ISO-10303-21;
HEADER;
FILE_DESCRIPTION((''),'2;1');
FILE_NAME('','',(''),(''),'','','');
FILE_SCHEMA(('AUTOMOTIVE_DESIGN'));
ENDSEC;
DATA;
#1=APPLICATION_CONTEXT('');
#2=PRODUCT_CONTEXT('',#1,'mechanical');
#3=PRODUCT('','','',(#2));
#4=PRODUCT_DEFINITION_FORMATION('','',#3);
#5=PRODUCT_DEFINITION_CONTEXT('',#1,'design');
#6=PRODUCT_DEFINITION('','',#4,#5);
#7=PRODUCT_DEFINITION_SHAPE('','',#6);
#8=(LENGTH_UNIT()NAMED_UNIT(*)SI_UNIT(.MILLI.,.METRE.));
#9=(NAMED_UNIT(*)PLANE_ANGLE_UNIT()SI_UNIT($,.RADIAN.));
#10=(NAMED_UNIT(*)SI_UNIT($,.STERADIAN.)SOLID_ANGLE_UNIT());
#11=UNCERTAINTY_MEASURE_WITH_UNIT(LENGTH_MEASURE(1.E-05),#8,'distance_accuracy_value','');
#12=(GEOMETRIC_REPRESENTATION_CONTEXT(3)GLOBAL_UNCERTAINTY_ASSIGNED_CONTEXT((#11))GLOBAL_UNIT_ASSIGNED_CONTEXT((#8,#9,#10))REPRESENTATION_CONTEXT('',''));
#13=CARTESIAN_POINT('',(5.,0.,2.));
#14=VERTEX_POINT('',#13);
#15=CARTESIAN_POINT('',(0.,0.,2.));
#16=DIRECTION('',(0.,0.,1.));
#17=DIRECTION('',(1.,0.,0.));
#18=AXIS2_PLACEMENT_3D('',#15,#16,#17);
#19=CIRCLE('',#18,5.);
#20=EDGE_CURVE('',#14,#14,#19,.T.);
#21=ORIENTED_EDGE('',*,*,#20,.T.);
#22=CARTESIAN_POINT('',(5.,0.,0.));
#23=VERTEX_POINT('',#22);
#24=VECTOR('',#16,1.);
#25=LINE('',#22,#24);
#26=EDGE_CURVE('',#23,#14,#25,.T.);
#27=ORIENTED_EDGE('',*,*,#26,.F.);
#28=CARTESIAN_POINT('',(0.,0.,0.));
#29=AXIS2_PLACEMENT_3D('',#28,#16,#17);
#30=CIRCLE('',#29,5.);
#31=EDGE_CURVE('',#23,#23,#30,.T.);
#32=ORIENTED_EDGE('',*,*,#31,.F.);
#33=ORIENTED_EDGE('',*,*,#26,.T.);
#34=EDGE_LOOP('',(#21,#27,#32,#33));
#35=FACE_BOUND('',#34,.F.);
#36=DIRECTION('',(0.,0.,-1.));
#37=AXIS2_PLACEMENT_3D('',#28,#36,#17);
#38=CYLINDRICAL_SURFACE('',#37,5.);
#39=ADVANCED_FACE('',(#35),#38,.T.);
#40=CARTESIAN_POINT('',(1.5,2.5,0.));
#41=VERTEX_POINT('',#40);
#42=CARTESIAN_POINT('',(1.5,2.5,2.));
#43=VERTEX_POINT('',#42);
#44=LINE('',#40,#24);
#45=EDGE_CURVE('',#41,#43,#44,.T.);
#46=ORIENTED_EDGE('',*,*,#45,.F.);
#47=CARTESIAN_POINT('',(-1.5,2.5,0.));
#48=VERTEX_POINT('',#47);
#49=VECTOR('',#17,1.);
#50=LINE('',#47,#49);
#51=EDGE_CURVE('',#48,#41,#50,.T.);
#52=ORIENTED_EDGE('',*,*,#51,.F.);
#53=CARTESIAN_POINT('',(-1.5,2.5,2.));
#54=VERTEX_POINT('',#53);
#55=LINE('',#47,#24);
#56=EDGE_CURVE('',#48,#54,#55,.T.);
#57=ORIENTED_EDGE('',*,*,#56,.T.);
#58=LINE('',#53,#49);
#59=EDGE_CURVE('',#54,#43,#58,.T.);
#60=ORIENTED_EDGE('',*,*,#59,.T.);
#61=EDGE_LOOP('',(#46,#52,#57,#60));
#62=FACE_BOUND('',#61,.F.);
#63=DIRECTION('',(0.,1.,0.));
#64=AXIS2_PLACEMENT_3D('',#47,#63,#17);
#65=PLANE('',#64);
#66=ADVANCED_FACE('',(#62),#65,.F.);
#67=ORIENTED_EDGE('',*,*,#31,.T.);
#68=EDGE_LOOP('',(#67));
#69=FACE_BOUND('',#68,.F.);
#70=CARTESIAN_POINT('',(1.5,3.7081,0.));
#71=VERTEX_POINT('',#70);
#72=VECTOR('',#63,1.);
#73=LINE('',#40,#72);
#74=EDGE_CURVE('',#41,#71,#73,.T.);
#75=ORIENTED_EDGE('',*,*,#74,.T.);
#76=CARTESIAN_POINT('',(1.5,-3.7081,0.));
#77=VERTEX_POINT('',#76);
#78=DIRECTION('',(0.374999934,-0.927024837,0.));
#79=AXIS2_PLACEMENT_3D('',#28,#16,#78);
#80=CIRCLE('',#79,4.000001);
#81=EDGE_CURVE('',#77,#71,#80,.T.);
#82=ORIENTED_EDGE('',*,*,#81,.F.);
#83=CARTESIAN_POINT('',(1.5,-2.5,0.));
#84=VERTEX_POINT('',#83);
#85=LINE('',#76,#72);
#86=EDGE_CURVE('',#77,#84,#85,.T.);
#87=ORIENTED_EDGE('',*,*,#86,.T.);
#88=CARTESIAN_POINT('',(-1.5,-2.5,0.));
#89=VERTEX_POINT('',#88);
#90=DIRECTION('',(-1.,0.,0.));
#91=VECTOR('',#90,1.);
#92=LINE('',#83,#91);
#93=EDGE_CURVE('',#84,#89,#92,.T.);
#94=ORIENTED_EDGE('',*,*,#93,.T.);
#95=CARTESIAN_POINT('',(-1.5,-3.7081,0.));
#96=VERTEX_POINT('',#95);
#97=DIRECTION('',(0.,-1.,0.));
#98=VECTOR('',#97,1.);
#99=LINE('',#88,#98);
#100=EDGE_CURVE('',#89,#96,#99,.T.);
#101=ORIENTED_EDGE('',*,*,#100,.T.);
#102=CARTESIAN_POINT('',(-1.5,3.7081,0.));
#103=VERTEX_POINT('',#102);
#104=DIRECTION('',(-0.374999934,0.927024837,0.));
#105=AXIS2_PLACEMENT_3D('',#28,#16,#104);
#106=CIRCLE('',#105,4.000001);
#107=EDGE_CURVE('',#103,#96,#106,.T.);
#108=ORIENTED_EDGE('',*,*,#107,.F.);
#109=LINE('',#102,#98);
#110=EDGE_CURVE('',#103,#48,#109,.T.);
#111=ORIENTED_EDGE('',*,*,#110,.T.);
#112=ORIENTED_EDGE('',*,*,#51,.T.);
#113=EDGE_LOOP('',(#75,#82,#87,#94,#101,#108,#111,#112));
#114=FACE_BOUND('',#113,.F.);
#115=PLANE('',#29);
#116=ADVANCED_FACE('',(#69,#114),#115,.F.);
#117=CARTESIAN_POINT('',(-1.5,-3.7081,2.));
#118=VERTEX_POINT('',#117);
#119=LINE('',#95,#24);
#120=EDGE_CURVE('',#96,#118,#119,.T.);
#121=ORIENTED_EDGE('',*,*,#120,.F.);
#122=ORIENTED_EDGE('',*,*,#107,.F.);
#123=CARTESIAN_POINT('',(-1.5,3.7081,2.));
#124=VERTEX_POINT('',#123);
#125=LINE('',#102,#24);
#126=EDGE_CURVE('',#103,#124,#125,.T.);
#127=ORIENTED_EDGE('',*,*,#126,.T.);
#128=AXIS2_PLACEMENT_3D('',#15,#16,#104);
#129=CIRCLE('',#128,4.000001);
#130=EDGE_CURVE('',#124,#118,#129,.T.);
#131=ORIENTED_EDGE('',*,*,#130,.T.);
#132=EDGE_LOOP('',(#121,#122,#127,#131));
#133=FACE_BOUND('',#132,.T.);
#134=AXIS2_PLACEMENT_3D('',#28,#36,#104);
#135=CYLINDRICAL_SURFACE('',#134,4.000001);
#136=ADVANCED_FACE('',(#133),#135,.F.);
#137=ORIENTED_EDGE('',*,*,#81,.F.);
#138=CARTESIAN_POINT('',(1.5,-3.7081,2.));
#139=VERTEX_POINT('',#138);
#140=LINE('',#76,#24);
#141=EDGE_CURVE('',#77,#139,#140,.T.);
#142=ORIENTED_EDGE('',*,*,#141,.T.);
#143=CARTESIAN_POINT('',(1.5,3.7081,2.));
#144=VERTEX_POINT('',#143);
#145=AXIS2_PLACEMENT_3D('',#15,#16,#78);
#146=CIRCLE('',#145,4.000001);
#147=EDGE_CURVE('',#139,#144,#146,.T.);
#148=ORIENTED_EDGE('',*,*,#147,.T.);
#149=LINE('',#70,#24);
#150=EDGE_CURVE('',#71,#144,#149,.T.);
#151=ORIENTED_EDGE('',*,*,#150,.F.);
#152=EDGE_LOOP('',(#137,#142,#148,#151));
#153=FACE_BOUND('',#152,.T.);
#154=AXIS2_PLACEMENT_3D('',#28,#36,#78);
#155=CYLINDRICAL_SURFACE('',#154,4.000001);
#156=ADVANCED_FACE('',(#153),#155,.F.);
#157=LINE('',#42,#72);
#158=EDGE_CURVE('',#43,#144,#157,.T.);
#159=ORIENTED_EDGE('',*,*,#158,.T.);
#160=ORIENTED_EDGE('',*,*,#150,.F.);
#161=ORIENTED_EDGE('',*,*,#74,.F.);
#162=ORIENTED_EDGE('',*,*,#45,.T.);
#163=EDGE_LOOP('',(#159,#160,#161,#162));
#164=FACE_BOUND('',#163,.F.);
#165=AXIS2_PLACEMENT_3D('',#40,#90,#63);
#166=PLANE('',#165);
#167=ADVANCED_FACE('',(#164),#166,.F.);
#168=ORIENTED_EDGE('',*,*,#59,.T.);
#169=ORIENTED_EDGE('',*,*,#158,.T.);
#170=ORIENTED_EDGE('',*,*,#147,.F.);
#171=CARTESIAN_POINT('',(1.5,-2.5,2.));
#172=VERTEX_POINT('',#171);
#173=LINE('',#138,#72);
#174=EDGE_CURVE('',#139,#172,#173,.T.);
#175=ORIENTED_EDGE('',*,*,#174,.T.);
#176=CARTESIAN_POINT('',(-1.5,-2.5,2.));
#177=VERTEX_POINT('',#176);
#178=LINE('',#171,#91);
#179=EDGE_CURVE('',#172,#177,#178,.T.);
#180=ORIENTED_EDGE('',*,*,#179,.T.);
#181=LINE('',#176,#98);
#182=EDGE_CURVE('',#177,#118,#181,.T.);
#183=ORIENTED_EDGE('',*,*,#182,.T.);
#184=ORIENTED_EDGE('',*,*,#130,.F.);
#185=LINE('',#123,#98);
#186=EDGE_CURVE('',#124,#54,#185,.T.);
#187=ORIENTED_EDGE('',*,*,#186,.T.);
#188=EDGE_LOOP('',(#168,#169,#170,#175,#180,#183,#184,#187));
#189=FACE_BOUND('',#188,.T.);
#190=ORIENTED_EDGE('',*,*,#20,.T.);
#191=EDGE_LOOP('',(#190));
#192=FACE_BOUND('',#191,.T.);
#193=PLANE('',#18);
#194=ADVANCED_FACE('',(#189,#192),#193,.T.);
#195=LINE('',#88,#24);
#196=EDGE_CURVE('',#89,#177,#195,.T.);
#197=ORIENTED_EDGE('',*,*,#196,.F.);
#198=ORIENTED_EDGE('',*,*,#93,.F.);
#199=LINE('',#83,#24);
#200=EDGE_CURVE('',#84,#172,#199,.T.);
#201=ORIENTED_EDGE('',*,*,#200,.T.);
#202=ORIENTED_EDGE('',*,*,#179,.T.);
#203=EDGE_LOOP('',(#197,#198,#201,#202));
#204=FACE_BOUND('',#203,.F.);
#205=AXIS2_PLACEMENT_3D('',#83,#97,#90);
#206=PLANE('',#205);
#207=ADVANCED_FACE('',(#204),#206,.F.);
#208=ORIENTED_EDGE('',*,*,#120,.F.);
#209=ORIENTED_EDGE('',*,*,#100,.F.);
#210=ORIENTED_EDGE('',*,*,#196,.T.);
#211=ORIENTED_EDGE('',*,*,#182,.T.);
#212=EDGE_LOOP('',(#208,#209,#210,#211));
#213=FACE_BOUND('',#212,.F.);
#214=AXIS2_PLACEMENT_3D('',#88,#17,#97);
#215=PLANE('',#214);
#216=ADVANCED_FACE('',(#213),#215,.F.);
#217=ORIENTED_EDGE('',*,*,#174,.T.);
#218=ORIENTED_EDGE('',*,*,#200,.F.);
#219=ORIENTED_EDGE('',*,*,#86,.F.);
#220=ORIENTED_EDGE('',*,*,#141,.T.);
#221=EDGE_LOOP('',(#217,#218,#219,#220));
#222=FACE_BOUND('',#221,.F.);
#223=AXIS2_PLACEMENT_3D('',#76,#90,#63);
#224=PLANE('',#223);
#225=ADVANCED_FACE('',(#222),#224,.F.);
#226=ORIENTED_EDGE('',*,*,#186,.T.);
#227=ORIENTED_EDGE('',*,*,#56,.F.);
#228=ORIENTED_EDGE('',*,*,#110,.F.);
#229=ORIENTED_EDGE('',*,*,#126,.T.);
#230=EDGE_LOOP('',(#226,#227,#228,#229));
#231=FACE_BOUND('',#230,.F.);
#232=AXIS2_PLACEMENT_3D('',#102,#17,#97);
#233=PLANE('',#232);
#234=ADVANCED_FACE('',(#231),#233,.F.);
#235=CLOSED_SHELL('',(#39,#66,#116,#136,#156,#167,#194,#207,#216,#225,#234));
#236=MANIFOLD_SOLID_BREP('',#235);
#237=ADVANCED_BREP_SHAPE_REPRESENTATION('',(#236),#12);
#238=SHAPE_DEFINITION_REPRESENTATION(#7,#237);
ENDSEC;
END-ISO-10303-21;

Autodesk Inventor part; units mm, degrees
ref_plane "YZ Plane" through (0, 0, 0) normal (1, 0, 0) x (0, 1, 0)
ref_plane "XZ Plane" through (0, 0, 0) normal (0, 1, 0) x (-1, 0, 0)
ref_plane "XY Plane" through (0, 0, 0) normal (0, 0, 1) x (1, 0, 0)
sketch "Sketch1" plane through (0, 0, 0) normal (0, 0, 1) x (1, 0, 0)
  arc A0 (1.5, -3.7081) -> (1.5, 3.7081) centre (0, 0) ccw
  line L0 (1.5, -3.7081) -> (1.5, -2.5)
  line L1 (1.5, -2.5) -> (-1.5, -2.5)
  line L2 (-1.5, -2.5) -> (-1.5, -3.7081)
  arc A1 (-1.5, 3.7081) -> (-1.5, -3.7081) centre (0, 0) ccw
  line L3 (-1.5, 3.7081) -> (-1.5, 2.5)
  line L4 (-1.5, 2.5) -> (1.5, 2.5)
  line L5 (1.5, 2.5) -> (1.5, 3.7081)
  arc A2 (0.5468, 8.0166) -> (-0.5468, 8.0166) centre (0, 0) ccw
  arc A3 (-0.5468, 8.0166) -> (-2.7612, 7.5459) centre (0, 0) ccw
  arc A4 (-2.7612, 7.5459) -> (-3.7602, 7.1012) centre (0, 0) ccw
  arc A5 (-3.7602, 7.1012) -> (-5.5916, 5.7705) centre (0, 0) ccw
  arc A6 (-5.5916, 5.7705) -> (-6.3234, 4.9578) centre (0, 0) ccw
  arc A7 (-6.3234, 4.9578) -> (-7.4553, 2.9973) centre (0, 0) ccw
  arc A8 (-7.4553, 2.9973) -> (-7.7932, 1.9573) centre (0, 0) ccw
  arc A9 (-7.7932, 1.9573) -> (-8.0299, -0.2942) centre (0, 0) ccw
  arc A10 (-8.0299, -0.2942) -> (-7.9156, -1.3817) centre (0, 0) ccw
  arc A11 (-7.9156, -1.3817) -> (-7.216, -3.5348) centre (0, 0) ccw
  arc A12 (-7.216, -3.5348) -> (-6.6692, -4.4818) centre (0, 0) ccw
  arc A13 (-6.6692, -4.4818) -> (-5.1544, -6.1642) centre (0, 0) ccw
  arc A14 (-5.1544, -6.1642) -> (-4.2697, -6.807) centre (0, 0) ccw
  arc A15 (-4.2697, -6.807) -> (-2.2016, -7.7278) centre (0, 0) ccw
  arc A16 (-2.2016, -7.7278) -> (-1.1319, -7.9551) centre (0, 0) ccw
  arc A17 (-1.1319, -7.9551) -> (1.1319, -7.9551) centre (0, 0) ccw
  arc A18 (1.1319, -7.9551) -> (2.2016, -7.7278) centre (0, 0) ccw
  arc A19 (2.2016, -7.7278) -> (4.2697, -6.807) centre (0, 0) ccw
  arc A20 (4.2697, -6.807) -> (5.1544, -6.1642) centre (0, 0) ccw
  arc A21 (5.1544, -6.1642) -> (6.6692, -4.4818) centre (0, 0) ccw
  arc A22 (6.6692, -4.4818) -> (7.216, -3.5348) centre (0, 0) ccw
  arc A23 (7.216, -3.5348) -> (7.9156, -1.3817) centre (0, 0) ccw
  arc A24 (7.9156, -1.3817) -> (8.0299, -0.2942) centre (0, 0) ccw
  arc A25 (8.0299, -0.2942) -> (7.7932, 1.9573) centre (0, 0) ccw
  arc A26 (7.7932, 1.9573) -> (7.4553, 2.9973) centre (0, 0) ccw
  arc A27 (7.4553, 2.9973) -> (6.3234, 4.9578) centre (0, 0) ccw
  arc A28 (6.3234, 4.9578) -> (5.5916, 5.7705) centre (0, 0) ccw
  arc A29 (5.5916, 5.7705) -> (3.7602, 7.1012) centre (0, 0) ccw
  arc A30 (3.7602, 7.1012) -> (2.7612, 7.5459) centre (0, 0) ccw
  arc A31 (2.7612, 7.5459) -> (0.5468, 8.0166) centre (0, 0) ccw
  circle A32 centre (0, 0) radius 5
  dimension "d2" = 10
extrude "Extrusion1" add sketch "Sketch1" along normal blind 2 contours A32
properties part number "Long_axel_lock"
